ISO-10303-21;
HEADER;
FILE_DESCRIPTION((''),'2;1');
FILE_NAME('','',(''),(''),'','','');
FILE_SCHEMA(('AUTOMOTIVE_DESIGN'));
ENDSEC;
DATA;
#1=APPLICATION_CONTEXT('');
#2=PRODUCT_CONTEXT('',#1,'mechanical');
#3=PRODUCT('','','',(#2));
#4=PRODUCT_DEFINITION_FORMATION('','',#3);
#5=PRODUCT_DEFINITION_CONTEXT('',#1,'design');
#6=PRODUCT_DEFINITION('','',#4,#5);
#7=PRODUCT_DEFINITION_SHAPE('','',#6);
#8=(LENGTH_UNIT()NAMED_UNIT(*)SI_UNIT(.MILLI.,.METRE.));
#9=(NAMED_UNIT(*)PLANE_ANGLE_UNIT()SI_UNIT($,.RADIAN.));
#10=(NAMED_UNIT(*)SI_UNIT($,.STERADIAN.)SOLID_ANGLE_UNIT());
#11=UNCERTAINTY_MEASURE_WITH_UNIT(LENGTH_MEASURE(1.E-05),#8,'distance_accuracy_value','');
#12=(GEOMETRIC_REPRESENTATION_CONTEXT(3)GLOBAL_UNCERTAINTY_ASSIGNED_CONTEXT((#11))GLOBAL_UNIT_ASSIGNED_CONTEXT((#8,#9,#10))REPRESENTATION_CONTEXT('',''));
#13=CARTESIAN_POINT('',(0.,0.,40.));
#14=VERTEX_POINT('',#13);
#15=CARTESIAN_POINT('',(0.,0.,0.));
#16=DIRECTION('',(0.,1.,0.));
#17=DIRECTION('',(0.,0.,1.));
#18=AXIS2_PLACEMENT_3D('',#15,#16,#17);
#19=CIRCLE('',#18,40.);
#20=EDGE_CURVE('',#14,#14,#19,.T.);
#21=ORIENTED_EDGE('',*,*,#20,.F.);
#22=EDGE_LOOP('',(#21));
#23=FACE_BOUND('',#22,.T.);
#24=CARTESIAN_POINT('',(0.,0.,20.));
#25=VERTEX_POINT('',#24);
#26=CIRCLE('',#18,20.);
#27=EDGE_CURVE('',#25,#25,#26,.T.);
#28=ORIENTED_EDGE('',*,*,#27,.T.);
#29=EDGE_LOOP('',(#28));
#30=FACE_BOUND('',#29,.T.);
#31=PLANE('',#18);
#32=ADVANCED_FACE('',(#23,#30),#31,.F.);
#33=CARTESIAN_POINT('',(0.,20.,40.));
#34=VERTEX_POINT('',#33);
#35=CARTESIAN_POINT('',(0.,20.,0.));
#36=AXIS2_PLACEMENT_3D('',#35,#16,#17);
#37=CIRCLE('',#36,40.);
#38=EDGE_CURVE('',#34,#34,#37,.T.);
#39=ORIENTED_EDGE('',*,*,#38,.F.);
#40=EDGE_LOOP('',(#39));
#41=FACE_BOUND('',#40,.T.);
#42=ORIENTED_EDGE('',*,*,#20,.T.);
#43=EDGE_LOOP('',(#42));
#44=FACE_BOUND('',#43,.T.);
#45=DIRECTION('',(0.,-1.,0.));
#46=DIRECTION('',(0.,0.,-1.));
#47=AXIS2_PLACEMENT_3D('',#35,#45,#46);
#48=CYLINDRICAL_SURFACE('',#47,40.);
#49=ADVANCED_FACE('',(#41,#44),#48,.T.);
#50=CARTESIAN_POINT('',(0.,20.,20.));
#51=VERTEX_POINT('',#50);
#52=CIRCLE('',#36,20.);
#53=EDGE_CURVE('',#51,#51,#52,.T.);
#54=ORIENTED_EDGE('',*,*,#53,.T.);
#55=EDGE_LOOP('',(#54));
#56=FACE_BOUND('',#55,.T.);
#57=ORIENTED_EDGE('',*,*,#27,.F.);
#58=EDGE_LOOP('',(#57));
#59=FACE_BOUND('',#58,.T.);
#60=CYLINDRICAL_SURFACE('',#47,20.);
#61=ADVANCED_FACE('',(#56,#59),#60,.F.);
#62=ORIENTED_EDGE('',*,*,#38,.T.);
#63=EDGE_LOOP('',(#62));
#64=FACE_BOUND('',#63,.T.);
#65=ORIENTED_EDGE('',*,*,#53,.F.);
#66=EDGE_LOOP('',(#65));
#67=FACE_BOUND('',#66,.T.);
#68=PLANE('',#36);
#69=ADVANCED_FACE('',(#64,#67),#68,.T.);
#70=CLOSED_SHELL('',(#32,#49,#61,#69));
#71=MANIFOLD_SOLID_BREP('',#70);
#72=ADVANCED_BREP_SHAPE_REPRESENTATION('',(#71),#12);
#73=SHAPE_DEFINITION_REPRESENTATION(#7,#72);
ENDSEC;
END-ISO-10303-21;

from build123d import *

# Parameters (mm, degrees)
SKETCH_1_R      = 40
SKETCH_1_R_2    = 20
EXTRUDE_1_DEPTH = 20


with BuildPart() as part:
    # 草图1 → 凸台-拉伸1 (new body)
    with BuildSketch(Plane(origin=(0, 0, 0), x_dir=(1, 0, 0), z_dir=(0, 1, 0))):
        Circle(SKETCH_1_R)
        Circle(SKETCH_1_R_2, mode=Mode.SUBTRACT)
    extrude(amount=EXTRUDE_1_DEPTH)


solid = part.part
